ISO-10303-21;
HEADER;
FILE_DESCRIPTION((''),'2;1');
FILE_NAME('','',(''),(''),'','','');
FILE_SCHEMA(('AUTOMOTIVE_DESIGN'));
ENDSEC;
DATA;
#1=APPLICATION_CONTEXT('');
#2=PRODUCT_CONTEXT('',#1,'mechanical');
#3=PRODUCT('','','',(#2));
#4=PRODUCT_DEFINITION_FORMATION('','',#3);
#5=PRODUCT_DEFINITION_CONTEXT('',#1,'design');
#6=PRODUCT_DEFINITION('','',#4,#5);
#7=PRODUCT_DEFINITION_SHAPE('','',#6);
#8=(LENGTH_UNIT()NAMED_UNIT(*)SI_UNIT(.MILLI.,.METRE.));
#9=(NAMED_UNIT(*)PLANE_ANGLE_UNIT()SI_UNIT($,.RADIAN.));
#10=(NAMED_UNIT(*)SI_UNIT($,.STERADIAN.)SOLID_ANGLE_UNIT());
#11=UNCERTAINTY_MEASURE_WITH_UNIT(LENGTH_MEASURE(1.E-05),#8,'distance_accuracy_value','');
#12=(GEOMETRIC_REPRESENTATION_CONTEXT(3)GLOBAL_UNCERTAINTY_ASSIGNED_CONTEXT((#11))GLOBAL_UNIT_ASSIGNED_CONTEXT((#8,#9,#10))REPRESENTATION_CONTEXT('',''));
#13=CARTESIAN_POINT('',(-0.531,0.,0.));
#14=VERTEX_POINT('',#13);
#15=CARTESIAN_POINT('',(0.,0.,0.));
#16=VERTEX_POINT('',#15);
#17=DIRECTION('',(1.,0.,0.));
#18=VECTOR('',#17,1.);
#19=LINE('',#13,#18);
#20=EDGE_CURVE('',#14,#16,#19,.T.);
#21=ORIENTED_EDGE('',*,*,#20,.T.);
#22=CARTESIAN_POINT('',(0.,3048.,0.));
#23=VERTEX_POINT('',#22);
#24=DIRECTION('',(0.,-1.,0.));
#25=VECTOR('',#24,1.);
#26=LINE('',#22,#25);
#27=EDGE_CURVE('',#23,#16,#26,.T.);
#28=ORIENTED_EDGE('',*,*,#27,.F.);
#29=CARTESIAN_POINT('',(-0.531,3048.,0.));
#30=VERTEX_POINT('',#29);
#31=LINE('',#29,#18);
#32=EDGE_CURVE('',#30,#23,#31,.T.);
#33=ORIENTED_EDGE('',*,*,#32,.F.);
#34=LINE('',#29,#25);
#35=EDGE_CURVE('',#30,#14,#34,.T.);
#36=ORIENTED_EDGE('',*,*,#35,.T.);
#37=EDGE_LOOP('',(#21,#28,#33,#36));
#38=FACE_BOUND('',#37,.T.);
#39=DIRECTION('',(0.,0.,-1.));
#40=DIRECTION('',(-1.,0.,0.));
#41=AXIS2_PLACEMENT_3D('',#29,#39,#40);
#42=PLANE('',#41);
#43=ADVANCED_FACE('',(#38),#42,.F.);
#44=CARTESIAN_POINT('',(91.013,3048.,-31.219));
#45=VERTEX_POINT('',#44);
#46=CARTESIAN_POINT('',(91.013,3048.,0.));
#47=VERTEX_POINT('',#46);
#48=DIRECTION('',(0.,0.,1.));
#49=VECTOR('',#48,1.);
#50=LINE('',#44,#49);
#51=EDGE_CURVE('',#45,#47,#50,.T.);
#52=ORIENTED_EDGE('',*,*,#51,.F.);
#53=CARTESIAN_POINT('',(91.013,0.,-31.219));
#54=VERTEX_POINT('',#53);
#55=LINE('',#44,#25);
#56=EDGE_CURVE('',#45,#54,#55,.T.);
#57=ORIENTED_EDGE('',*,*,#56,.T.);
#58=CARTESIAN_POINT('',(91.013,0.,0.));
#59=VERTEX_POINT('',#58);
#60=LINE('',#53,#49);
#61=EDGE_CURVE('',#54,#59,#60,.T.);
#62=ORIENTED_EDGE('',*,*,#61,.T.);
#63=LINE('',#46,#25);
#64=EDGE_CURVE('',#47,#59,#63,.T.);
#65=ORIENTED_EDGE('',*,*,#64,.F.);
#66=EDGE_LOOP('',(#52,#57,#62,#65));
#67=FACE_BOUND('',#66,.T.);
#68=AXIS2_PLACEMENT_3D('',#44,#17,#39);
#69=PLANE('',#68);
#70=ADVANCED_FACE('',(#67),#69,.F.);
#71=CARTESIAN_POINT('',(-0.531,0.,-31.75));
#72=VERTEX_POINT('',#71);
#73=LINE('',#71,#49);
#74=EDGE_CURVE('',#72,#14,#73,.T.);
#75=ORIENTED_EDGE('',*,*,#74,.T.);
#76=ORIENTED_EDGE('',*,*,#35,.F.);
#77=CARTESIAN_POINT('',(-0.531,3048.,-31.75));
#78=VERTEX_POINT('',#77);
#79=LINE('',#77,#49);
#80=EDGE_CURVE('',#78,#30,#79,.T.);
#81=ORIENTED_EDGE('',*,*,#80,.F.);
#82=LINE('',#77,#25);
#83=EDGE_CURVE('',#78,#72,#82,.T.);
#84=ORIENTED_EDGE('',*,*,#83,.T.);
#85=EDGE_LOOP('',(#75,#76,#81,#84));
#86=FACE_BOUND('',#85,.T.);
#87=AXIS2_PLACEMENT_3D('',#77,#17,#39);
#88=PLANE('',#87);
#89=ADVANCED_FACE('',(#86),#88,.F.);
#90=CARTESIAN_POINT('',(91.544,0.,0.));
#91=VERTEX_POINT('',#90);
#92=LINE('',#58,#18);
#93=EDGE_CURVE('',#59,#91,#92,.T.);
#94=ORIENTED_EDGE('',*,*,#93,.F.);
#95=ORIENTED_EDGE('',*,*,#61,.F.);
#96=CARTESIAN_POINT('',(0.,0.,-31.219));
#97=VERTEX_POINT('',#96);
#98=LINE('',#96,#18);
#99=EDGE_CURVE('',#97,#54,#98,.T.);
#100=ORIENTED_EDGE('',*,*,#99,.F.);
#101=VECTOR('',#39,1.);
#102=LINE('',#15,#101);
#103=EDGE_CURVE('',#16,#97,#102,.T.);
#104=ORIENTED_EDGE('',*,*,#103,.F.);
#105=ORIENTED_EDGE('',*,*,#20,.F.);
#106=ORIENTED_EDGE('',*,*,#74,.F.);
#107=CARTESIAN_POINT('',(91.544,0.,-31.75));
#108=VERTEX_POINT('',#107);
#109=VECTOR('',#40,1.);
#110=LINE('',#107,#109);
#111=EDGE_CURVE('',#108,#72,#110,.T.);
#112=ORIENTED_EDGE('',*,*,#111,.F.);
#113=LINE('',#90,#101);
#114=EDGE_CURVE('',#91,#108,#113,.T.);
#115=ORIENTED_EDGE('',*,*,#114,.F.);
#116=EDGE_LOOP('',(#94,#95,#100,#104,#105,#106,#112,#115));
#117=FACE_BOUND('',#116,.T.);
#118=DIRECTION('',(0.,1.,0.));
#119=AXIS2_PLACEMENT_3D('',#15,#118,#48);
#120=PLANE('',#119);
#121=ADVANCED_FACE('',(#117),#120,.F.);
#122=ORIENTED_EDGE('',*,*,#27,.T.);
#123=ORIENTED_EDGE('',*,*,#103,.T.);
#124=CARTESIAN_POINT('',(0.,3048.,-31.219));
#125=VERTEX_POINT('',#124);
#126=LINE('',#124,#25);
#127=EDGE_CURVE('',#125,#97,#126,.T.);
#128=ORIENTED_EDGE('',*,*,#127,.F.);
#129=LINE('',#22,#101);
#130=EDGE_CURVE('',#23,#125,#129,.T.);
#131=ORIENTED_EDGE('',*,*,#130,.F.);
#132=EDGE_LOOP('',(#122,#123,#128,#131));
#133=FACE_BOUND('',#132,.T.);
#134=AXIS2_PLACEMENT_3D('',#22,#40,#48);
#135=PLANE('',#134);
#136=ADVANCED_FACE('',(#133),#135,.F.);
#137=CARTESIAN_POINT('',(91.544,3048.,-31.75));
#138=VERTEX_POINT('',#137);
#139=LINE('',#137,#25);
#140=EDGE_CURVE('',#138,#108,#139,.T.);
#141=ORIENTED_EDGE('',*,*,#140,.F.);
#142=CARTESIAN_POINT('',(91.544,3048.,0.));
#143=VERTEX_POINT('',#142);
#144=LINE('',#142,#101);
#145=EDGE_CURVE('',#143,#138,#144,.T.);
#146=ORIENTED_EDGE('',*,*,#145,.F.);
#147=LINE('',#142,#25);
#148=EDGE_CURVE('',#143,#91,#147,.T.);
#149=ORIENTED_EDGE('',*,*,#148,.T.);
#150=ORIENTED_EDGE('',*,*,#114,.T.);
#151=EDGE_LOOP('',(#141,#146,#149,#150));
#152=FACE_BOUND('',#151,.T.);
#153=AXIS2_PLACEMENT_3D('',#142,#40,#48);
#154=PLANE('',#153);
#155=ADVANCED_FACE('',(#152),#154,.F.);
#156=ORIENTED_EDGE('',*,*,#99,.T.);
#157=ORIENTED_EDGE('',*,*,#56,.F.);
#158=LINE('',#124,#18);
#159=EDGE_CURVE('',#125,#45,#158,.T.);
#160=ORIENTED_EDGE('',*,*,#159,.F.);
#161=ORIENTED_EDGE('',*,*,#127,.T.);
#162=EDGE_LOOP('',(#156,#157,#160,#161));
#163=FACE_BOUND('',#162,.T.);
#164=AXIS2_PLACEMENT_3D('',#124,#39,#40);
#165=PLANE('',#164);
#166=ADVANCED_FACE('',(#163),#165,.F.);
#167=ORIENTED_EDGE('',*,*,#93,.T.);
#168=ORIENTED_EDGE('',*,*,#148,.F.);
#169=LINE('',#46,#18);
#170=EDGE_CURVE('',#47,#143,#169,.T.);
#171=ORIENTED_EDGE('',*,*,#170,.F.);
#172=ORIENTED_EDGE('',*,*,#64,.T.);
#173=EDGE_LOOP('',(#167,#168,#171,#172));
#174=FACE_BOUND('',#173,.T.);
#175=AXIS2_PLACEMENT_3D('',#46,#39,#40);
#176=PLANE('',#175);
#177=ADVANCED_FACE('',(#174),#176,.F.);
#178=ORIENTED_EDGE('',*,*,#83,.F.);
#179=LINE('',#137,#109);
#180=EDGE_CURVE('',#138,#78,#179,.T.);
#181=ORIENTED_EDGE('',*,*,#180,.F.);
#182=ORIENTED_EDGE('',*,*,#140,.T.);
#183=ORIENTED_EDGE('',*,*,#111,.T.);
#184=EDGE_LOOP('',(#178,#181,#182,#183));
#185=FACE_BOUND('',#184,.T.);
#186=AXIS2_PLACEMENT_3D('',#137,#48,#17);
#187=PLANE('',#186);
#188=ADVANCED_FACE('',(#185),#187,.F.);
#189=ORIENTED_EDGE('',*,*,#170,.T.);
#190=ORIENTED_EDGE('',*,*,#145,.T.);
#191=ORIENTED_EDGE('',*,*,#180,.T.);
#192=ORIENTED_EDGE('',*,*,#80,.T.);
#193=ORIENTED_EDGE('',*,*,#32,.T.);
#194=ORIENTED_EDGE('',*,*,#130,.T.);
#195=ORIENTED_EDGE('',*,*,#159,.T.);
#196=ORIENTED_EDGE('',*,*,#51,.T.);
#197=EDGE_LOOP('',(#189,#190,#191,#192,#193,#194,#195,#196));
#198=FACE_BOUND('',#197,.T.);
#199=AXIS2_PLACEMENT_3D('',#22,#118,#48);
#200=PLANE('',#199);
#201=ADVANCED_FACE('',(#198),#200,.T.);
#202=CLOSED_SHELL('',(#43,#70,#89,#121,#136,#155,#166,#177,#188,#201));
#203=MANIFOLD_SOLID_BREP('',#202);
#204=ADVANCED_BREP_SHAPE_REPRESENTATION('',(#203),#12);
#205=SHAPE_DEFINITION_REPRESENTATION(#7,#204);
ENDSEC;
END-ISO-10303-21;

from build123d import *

# Parameters (mm, degrees)
BOSS_EXTRUDE1_DEPTH = 3048


with BuildPart() as part:
    # Sketch1 → Boss-Extrude1 (new body)
    with BuildSketch(Plane(origin=(0, 0, 0), x_dir=(1, 0, 0), z_dir=(0, 1, 0))):
        Polygon((0, 0), (0, 31.219), (91.013, 31.219), (91.013, 0), (91.544, 0), (91.544, 31.75), (-0.531, 31.75), (-0.531, 0), align=None)
    extrude(amount=BOSS_EXTRUDE1_DEPTH)


solid = part.part
